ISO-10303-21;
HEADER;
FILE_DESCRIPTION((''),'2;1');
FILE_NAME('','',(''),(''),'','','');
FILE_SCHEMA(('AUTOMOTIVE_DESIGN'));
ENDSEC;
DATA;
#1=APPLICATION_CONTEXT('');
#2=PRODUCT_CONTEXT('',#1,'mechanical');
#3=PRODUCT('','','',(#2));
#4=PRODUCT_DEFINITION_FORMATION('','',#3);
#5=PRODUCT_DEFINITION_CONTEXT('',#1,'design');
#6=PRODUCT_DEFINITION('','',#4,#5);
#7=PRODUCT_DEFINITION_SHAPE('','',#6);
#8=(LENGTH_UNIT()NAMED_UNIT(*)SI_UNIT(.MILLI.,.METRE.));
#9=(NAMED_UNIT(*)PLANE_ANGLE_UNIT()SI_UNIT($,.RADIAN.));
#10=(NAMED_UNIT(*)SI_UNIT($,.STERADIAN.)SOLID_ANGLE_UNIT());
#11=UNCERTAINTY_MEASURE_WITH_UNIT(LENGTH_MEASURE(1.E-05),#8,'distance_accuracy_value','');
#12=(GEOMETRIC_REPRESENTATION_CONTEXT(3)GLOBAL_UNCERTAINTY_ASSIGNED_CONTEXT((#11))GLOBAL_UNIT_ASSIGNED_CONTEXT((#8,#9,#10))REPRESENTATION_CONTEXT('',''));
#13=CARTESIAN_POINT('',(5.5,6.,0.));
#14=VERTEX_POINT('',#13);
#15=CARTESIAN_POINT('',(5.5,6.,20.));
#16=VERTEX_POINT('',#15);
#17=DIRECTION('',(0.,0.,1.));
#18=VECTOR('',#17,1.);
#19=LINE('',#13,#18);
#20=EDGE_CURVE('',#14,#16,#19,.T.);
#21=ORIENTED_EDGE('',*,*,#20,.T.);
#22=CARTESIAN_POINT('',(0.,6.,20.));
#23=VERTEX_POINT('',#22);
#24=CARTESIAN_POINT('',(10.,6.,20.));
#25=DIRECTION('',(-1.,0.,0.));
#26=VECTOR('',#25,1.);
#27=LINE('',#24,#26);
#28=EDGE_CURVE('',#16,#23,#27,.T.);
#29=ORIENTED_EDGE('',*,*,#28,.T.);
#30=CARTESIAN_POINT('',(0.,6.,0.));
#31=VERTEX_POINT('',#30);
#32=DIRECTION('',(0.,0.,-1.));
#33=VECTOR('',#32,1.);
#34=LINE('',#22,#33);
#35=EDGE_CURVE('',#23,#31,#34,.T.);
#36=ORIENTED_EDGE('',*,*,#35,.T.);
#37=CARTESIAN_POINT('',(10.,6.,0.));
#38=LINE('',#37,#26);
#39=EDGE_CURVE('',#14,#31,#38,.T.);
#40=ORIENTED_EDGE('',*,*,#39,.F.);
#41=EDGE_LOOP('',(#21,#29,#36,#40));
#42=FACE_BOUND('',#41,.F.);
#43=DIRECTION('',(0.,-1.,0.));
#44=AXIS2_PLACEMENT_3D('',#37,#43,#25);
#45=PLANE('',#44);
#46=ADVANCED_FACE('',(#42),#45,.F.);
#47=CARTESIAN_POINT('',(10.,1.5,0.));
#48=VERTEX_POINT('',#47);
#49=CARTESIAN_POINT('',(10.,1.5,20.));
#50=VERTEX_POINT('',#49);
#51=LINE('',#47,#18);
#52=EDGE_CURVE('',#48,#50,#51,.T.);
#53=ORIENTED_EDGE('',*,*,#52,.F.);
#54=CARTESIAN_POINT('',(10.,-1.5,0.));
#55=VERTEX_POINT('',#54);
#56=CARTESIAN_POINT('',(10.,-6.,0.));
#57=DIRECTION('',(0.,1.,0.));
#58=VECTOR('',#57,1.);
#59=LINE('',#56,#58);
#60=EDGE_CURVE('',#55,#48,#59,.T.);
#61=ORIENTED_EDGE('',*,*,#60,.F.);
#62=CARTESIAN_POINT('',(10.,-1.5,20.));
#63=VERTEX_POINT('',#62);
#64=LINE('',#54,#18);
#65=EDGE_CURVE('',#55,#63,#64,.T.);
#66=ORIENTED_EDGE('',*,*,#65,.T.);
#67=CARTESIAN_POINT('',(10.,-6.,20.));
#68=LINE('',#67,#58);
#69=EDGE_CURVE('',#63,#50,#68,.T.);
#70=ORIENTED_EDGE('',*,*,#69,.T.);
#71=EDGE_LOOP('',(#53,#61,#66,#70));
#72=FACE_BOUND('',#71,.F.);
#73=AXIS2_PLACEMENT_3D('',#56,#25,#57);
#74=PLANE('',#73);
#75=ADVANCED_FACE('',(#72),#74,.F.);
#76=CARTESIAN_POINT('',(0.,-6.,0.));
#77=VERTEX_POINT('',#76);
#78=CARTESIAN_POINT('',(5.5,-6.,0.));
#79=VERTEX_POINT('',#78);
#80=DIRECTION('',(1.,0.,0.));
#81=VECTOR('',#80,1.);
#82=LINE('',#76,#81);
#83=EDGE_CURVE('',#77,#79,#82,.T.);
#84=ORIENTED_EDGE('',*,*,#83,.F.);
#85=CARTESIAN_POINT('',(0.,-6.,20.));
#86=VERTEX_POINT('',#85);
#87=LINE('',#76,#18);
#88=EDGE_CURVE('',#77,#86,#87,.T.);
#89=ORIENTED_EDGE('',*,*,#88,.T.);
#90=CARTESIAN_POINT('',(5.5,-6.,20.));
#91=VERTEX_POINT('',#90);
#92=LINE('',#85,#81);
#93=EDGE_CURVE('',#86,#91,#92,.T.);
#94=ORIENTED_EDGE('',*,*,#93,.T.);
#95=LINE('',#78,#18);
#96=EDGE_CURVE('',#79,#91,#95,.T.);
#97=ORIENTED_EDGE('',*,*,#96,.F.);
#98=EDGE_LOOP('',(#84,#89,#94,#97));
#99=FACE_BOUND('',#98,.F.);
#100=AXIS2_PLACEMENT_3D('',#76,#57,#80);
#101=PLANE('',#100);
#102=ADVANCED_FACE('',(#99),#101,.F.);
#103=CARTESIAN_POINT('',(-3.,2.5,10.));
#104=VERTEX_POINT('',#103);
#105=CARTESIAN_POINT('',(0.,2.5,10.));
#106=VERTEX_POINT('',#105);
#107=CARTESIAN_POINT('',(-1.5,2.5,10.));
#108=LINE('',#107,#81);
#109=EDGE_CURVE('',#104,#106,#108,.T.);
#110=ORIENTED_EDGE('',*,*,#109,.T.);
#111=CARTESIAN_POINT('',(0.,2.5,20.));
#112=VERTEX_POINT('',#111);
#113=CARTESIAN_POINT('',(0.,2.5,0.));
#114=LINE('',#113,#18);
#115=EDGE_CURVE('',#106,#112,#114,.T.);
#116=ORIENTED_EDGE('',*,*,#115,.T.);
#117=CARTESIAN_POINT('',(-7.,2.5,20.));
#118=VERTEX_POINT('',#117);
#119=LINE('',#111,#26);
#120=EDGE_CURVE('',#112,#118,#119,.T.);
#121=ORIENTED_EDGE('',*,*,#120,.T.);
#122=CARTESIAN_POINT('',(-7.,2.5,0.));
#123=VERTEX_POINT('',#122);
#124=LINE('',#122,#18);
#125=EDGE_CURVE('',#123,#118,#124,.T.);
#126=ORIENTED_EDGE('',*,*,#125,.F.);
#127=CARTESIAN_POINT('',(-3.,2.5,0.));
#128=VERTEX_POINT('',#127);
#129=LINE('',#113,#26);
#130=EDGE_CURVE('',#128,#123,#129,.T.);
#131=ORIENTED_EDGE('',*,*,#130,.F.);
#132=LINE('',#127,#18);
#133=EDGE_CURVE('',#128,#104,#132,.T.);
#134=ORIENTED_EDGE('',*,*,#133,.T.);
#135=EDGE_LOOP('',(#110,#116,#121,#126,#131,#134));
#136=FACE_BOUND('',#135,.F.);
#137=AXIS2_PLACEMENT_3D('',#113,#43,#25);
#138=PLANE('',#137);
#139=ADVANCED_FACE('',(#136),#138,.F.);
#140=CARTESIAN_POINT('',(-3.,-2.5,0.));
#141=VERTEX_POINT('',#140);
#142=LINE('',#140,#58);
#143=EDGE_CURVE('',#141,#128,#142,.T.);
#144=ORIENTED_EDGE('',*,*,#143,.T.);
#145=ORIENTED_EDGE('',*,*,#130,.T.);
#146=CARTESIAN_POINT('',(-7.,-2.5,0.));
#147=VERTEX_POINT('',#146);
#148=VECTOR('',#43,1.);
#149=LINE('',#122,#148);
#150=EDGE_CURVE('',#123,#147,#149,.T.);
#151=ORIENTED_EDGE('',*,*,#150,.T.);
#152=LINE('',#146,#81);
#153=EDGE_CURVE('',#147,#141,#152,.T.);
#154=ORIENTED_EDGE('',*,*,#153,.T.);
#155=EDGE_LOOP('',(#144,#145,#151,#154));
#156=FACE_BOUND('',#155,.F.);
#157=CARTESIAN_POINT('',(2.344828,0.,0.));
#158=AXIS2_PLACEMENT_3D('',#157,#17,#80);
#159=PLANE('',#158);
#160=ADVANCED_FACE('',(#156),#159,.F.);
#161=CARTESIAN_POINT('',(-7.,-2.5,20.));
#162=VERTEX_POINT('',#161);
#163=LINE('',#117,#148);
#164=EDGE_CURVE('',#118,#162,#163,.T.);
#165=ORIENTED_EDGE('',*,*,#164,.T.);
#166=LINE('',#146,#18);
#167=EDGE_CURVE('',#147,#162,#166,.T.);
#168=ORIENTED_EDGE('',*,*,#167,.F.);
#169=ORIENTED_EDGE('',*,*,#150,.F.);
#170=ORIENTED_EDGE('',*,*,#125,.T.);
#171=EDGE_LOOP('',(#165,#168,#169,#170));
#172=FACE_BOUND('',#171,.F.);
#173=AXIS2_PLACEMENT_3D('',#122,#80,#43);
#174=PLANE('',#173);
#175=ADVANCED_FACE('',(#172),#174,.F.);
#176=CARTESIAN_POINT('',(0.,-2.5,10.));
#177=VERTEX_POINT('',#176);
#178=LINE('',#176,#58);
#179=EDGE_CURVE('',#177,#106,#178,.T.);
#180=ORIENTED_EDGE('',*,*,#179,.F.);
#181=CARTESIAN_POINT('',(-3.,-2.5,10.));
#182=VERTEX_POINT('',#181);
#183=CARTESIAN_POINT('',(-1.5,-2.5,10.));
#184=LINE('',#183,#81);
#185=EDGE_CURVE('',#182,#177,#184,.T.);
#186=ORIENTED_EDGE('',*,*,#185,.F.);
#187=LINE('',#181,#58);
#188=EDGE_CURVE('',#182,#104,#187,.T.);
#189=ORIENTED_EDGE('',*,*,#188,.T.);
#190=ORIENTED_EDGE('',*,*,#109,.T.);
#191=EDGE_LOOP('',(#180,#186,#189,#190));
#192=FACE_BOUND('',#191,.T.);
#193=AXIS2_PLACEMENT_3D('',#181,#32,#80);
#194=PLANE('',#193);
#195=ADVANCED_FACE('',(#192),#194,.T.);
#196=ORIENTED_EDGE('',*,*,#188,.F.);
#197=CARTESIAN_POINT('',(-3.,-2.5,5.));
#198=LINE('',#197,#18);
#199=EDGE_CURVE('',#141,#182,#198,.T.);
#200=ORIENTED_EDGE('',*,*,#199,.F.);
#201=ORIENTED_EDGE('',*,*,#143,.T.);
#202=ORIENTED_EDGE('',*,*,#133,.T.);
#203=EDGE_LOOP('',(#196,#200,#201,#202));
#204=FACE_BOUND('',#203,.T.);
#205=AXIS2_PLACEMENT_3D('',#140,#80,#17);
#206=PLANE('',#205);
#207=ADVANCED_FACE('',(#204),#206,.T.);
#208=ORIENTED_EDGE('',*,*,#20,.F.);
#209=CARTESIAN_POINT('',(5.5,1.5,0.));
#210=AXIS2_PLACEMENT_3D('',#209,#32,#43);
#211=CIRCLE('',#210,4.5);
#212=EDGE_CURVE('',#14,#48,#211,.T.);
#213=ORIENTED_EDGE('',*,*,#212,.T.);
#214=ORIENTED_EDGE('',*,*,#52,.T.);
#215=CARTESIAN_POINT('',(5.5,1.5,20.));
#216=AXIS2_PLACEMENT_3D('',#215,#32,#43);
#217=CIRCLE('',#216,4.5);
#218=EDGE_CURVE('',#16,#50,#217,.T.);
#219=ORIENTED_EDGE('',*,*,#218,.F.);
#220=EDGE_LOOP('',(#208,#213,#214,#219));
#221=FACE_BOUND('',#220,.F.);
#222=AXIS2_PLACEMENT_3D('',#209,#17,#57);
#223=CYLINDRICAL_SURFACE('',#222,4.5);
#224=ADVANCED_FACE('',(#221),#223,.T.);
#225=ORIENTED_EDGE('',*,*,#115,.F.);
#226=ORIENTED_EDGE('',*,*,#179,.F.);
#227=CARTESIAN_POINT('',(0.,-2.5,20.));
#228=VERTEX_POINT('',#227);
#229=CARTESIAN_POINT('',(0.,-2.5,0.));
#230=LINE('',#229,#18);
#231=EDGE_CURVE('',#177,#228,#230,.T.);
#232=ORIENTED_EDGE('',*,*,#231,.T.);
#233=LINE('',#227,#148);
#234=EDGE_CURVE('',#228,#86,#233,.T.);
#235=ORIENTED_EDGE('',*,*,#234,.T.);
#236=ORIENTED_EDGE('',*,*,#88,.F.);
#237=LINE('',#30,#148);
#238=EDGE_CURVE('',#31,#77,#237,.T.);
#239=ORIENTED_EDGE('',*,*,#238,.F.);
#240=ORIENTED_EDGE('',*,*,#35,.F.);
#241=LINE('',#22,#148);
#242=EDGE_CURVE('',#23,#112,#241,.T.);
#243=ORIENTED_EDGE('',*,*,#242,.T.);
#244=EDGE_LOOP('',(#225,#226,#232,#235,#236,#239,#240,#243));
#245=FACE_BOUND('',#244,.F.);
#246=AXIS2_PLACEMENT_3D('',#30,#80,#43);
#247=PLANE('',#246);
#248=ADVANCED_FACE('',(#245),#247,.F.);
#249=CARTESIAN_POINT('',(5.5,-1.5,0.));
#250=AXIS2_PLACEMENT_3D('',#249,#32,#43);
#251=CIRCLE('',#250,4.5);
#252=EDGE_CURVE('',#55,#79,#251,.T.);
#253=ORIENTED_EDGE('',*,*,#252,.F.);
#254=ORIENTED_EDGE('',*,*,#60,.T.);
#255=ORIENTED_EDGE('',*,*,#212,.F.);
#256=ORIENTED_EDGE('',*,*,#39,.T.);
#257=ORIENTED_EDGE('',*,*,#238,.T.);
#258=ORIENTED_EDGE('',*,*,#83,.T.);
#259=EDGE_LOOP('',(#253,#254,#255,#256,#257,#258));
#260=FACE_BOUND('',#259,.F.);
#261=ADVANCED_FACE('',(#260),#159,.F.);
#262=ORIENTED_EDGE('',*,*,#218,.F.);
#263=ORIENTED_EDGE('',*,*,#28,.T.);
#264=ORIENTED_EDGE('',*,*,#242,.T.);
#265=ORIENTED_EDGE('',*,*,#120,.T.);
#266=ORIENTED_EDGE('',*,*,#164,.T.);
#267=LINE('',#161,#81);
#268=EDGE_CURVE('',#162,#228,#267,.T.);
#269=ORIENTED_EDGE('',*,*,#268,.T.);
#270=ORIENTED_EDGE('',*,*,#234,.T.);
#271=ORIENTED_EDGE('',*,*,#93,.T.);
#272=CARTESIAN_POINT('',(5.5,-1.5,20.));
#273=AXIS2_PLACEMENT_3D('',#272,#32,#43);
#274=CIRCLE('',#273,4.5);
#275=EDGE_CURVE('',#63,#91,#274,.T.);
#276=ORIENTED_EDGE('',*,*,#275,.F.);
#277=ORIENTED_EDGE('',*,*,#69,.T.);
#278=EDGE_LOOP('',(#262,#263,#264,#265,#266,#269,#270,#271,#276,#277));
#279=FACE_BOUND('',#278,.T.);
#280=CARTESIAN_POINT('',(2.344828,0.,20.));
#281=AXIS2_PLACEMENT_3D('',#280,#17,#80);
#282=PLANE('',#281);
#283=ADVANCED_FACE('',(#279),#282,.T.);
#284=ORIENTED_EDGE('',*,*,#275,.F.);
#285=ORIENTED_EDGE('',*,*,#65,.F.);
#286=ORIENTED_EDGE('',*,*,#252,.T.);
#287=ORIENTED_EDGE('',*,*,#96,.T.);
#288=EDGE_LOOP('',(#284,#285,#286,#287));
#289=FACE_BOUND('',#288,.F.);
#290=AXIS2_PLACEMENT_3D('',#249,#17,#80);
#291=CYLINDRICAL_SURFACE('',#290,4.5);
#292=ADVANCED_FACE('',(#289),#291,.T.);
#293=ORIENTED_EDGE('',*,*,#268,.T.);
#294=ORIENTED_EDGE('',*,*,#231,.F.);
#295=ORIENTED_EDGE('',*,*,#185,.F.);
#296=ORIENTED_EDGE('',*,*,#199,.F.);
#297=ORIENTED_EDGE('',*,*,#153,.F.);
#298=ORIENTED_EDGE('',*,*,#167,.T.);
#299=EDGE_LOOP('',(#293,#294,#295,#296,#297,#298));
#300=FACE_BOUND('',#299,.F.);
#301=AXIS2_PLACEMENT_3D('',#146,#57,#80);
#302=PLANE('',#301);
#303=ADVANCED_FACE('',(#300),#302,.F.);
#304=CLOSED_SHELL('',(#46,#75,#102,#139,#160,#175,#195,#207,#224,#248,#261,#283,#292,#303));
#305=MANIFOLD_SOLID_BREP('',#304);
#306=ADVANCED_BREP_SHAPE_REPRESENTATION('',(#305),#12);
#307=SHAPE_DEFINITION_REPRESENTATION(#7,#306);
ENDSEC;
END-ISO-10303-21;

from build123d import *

# Parameters (mm, degrees)
PAD_DEPTH    = 20
SKETCH001_W  = 3
SKETCH001_H  = 10
POCKET_DEPTH = 8.501
FILLET_R     = 4.5


with BuildPart() as part:
    # Sketch → Pad (new body)
    with BuildSketch(Plane.XY):
        Polygon((-7, 2.5), (-7, -2.5), (0, -2.5), (0, -6), (10, -6), (10, 6), (0, 6), (0, 2.5), align=None)
    extrude(amount=PAD_DEPTH)

    # Sketch001 (on DatumPlane) → Pocket (cut, through all)
    with BuildSketch(Plane.XZ.offset(2.5)):
        with Locations((-1.5, 5)):
            Rectangle(SKETCH001_W, SKETCH001_H)
    extrude(amount=-POCKET_DEPTH, mode=Mode.SUBTRACT)

    # Fillet
    fillet_edges = [part.edges().sort_by_distance(p)[0] for p in [
        (10, 6, 10),
        (10, -6, 10),
    ]]
    fillet(fillet_edges, radius=FILLET_R)


solid = part.part
